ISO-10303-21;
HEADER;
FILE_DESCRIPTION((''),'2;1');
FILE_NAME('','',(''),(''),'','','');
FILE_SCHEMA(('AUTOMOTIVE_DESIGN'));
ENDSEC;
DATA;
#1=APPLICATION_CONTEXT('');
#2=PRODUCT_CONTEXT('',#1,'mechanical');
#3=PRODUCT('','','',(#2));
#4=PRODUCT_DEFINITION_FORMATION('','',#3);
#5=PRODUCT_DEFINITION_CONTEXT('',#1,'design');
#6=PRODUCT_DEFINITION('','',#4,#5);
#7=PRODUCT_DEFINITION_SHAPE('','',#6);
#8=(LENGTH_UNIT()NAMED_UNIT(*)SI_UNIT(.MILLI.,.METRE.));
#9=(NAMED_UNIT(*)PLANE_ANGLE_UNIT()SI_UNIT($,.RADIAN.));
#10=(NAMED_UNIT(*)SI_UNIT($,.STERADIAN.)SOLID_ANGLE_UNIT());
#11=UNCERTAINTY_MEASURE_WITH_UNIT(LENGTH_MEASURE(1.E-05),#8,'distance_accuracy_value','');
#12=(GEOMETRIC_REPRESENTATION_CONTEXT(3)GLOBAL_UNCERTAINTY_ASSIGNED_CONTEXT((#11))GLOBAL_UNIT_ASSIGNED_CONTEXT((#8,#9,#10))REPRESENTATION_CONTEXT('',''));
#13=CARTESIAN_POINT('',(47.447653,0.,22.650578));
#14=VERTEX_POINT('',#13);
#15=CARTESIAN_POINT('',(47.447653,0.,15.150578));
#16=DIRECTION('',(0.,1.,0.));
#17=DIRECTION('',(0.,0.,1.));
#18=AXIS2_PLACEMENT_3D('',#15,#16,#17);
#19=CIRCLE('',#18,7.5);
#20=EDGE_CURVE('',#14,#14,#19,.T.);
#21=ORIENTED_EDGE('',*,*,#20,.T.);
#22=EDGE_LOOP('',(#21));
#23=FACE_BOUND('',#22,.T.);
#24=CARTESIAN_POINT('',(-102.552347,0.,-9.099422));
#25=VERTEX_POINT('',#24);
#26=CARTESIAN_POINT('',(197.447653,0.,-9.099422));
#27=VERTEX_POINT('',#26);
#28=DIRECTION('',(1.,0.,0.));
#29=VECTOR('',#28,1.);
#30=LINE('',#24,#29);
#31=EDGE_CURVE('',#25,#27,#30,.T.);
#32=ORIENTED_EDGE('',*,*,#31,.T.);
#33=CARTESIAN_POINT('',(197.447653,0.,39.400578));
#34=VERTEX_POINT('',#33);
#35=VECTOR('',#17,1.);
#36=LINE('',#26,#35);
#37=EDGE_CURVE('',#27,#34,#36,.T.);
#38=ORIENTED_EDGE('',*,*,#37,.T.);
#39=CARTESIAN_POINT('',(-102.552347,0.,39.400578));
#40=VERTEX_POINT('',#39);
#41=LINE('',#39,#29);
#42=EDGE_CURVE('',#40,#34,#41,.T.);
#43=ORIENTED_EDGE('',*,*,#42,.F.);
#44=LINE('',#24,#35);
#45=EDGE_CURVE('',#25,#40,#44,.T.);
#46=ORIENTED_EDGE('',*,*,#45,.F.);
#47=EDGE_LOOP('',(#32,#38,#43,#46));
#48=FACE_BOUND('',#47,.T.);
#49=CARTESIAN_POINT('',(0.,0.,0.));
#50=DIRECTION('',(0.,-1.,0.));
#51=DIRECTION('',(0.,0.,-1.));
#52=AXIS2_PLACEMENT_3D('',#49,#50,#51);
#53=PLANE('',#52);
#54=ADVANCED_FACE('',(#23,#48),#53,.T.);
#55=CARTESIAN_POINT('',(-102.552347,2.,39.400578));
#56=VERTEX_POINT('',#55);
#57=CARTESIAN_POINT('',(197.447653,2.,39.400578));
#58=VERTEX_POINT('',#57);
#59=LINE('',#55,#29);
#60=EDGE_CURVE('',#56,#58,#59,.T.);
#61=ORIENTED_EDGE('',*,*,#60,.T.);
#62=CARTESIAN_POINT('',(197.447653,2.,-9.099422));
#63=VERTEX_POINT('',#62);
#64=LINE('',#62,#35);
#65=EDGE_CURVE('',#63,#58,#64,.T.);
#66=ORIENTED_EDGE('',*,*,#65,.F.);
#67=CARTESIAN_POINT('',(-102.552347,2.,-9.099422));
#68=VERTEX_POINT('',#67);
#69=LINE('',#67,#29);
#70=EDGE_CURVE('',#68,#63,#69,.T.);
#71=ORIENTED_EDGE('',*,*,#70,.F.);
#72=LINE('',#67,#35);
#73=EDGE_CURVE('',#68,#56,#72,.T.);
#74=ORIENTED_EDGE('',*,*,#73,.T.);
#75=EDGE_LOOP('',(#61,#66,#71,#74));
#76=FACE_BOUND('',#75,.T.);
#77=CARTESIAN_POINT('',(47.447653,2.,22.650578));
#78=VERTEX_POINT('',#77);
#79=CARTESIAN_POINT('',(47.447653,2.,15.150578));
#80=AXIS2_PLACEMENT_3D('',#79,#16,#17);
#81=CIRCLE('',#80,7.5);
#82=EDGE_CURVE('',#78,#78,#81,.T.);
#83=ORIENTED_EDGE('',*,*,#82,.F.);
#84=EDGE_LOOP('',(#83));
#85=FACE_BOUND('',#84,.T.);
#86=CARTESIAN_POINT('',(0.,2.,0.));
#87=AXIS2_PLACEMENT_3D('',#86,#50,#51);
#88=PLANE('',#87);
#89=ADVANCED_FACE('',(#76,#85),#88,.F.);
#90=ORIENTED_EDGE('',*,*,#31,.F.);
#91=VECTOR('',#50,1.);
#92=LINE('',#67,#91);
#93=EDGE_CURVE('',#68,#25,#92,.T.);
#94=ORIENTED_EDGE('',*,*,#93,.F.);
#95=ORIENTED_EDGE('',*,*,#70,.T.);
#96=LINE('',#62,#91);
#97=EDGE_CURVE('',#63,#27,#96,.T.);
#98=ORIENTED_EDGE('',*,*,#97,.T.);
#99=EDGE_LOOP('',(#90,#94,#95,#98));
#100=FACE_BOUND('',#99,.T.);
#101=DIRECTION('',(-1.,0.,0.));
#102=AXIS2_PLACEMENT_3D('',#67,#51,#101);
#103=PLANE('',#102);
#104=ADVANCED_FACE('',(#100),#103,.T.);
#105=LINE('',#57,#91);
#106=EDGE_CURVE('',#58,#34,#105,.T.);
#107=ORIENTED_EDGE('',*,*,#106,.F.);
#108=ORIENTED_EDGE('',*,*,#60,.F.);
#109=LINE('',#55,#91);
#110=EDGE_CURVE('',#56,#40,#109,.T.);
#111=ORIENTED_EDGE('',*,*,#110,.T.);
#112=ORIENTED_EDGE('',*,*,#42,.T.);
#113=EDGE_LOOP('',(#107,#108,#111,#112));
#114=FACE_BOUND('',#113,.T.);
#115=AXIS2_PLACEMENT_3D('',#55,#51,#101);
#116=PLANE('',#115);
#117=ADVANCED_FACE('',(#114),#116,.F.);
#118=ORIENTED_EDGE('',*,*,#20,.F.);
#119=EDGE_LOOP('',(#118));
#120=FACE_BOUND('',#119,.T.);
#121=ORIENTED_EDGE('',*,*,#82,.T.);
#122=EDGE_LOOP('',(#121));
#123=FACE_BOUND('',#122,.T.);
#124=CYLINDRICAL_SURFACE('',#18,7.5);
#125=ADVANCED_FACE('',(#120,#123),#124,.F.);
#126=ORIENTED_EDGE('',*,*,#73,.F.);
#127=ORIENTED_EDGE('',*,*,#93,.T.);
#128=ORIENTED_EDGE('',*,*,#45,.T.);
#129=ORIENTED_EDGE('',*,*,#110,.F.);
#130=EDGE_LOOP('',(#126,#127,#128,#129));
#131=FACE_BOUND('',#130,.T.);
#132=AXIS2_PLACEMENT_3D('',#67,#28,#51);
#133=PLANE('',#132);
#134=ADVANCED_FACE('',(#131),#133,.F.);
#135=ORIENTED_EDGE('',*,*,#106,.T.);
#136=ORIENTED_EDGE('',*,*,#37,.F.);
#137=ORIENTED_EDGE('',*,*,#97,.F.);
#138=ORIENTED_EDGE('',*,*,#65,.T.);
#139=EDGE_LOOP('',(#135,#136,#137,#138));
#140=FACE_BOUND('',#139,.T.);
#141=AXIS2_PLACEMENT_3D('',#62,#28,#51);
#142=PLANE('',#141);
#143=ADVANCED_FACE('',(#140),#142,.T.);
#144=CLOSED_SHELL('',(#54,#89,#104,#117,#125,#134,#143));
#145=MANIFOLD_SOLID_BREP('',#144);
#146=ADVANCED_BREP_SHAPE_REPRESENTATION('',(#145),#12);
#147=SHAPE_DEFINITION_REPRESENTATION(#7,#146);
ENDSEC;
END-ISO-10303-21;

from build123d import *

# Parameters (mm, degrees)
SKETCH1_W           = 300
SKETCH1_H           = 48.5
BOSS_EXTRUDE1_DEPTH = 2
SKETCH2_R           = 7.5
CUT_EXTRUDE1_DEPTH  = 2


with BuildPart() as part:
    # Sketch1 → Boss-Extrude1 (new body)
    with BuildSketch(Plane(origin=(0, 0, 0), x_dir=(1, 0, 0), z_dir=(0, 1, 0))):
        with Locations((47.447653354, -15.150578189)):
            Rectangle(SKETCH1_W, SKETCH1_H)
    extrude(amount=BOSS_EXTRUDE1_DEPTH)

    # Sketch2 → Cut-Extrude1 (cut)
    with BuildSketch(Plane(origin=(0, 2, 0), x_dir=(1, 0, 0), z_dir=(0, 1, 0))):
        with Locations((47.447653354, -15.150578189)):
            Circle(SKETCH2_R)
    extrude(amount=-CUT_EXTRUDE1_DEPTH, mode=Mode.SUBTRACT)


solid = part.part
